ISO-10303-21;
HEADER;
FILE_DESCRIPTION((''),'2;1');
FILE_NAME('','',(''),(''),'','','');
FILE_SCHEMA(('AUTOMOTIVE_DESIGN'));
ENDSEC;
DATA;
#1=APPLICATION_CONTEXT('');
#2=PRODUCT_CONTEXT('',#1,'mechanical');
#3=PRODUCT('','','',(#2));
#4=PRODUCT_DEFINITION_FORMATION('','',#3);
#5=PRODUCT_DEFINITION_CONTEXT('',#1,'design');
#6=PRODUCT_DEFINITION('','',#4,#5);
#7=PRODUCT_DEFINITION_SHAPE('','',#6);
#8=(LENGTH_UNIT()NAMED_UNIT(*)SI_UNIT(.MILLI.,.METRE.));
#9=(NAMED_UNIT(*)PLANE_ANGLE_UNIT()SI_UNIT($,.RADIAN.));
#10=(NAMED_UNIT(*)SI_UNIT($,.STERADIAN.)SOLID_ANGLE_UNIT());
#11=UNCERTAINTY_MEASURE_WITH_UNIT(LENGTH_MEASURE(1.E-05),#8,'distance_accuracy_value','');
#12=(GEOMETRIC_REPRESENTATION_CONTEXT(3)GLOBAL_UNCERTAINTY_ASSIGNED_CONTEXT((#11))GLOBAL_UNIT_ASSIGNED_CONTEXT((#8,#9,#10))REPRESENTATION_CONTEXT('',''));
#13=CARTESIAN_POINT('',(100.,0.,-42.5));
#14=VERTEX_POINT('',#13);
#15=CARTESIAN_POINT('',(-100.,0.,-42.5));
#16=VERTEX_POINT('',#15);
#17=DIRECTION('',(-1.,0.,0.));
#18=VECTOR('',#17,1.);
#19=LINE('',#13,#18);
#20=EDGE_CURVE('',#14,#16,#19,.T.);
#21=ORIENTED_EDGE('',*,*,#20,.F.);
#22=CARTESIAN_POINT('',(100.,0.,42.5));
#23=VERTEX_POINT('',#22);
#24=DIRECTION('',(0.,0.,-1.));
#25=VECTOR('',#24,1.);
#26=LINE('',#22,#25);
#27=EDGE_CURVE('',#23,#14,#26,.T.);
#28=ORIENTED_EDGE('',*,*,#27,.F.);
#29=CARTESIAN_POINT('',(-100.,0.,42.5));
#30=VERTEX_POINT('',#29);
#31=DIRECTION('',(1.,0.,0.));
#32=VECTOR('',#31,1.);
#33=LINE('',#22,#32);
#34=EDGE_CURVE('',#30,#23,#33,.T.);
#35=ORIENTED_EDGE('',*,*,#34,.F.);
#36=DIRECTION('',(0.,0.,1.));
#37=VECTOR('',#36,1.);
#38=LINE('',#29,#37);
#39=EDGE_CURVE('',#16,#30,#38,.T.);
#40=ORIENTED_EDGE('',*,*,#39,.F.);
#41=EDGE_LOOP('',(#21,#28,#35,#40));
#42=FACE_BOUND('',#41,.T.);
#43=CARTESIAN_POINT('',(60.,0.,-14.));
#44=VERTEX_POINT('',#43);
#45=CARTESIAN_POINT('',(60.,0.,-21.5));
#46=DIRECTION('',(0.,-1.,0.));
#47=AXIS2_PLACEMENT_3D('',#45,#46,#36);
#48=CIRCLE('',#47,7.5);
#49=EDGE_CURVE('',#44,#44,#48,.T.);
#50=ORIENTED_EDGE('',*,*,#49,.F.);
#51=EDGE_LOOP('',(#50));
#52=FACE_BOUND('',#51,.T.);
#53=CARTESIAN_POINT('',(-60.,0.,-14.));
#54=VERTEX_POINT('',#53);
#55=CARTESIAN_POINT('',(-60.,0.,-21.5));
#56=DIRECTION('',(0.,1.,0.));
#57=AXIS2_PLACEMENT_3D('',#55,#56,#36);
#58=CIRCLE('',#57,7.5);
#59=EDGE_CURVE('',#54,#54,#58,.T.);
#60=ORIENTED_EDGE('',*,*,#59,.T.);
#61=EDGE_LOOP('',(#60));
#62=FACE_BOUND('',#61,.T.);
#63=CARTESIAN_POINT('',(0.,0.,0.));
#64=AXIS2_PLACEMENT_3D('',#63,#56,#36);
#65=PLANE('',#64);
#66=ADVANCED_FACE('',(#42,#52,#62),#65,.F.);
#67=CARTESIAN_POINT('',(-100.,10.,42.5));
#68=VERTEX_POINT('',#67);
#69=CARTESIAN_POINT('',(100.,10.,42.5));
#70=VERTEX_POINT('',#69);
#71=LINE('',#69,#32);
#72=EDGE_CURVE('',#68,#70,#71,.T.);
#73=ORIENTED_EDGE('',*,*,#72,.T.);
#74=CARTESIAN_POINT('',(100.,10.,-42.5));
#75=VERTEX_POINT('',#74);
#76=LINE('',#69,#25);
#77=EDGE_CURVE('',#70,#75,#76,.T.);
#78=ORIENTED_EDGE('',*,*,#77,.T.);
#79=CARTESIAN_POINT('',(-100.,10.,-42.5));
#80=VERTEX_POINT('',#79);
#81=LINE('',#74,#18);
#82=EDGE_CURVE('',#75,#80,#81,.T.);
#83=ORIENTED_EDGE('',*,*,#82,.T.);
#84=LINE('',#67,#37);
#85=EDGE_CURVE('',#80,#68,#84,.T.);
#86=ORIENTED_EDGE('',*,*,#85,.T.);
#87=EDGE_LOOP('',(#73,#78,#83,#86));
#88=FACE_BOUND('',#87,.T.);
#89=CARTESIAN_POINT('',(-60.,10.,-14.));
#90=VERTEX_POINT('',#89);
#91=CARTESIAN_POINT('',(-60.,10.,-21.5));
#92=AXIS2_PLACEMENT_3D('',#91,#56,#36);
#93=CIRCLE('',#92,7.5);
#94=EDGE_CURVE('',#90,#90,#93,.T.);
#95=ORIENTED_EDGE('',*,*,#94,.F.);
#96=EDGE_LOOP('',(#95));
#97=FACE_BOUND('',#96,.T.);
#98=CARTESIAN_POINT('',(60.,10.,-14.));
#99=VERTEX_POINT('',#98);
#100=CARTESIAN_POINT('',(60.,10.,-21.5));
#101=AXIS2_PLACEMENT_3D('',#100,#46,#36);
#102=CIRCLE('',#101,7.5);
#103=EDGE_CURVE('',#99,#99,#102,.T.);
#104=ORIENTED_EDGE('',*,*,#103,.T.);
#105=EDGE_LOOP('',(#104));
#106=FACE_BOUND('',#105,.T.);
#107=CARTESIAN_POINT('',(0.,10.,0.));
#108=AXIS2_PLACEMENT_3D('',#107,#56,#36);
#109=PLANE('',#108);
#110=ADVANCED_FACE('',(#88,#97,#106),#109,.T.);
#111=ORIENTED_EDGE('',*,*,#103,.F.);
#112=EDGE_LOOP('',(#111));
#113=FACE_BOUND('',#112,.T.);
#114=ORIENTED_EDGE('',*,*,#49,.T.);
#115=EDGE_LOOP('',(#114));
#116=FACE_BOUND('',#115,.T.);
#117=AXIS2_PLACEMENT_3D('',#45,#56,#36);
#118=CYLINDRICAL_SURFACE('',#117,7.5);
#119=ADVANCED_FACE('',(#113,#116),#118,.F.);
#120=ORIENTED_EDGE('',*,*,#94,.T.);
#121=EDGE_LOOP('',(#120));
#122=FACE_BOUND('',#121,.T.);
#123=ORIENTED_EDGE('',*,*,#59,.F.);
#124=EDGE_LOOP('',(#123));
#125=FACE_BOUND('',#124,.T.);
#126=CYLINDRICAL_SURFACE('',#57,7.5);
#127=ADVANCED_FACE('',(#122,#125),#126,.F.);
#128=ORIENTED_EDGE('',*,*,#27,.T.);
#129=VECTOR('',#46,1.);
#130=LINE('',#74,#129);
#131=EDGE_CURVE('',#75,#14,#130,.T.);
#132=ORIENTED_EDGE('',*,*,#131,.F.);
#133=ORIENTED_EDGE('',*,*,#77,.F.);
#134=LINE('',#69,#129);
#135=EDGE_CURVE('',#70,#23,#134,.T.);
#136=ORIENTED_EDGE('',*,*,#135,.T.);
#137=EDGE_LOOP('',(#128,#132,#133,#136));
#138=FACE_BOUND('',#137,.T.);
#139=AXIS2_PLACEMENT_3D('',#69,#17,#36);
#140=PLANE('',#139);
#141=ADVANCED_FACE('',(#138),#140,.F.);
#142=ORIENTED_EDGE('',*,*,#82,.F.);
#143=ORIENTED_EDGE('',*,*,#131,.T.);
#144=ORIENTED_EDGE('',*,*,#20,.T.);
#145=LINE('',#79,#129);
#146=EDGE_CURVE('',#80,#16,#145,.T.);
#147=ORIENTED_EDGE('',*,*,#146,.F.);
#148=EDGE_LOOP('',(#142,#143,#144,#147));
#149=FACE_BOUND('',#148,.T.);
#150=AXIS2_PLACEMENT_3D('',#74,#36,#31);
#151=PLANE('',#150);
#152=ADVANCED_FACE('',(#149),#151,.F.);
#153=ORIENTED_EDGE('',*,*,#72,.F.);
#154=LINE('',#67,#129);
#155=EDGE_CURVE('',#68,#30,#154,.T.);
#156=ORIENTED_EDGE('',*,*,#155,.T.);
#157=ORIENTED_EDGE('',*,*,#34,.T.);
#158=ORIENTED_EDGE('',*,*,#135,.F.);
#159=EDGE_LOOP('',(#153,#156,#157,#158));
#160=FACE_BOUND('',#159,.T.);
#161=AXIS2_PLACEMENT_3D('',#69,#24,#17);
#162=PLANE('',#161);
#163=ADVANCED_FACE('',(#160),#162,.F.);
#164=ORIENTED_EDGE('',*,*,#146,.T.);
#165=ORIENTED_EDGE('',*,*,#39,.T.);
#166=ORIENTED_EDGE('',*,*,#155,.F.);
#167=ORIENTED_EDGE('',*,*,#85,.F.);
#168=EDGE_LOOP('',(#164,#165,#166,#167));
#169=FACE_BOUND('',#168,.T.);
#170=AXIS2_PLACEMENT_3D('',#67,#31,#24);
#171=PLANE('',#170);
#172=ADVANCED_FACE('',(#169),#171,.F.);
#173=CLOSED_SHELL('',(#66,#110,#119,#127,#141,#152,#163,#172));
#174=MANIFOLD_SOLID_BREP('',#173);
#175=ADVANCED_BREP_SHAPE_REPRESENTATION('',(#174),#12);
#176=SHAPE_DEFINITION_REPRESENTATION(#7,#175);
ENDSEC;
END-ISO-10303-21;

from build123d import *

# Parameters (mm, degrees)
SKETCH1_W           = 200
SKETCH1_H           = 85
BOSS_EXTRUDE1_DEPTH = 10
SKETCH2_R           = 7.5
CUT_EXTRUDE1_DEPTH  = 10


with BuildPart() as part:
    # Sketch1 → Boss-Extrude1 (new body)
    with BuildSketch(Plane(origin=(0, 0, 0), x_dir=(1, 0, 0), z_dir=(0, 1, 0))):
        Rectangle(SKETCH1_W, SKETCH1_H)
    extrude(amount=BOSS_EXTRUDE1_DEPTH)

    # Sketch2 → Cut-Extrude1 (cut)
    with BuildSketch(Plane(origin=(0, 10, 0), x_dir=(1, 0, 0), z_dir=(0, 1, 0))):
        with Locations(Location((-60, 21.5, 0), (0, 0, 270))):
            Circle(SKETCH2_R)
    cut_extrude1 = extrude(amount=-CUT_EXTRUDE1_DEPTH, mode=Mode.SUBTRACT)

    # Mirror1: Cut-Extrude1 across plane
    add(cut_extrude1.mirror(Plane(origin=(0, 0, 0), x_dir=(0, 0, 1), z_dir=(1, 0, 0))), mode=Mode.SUBTRACT)


solid = part.part
